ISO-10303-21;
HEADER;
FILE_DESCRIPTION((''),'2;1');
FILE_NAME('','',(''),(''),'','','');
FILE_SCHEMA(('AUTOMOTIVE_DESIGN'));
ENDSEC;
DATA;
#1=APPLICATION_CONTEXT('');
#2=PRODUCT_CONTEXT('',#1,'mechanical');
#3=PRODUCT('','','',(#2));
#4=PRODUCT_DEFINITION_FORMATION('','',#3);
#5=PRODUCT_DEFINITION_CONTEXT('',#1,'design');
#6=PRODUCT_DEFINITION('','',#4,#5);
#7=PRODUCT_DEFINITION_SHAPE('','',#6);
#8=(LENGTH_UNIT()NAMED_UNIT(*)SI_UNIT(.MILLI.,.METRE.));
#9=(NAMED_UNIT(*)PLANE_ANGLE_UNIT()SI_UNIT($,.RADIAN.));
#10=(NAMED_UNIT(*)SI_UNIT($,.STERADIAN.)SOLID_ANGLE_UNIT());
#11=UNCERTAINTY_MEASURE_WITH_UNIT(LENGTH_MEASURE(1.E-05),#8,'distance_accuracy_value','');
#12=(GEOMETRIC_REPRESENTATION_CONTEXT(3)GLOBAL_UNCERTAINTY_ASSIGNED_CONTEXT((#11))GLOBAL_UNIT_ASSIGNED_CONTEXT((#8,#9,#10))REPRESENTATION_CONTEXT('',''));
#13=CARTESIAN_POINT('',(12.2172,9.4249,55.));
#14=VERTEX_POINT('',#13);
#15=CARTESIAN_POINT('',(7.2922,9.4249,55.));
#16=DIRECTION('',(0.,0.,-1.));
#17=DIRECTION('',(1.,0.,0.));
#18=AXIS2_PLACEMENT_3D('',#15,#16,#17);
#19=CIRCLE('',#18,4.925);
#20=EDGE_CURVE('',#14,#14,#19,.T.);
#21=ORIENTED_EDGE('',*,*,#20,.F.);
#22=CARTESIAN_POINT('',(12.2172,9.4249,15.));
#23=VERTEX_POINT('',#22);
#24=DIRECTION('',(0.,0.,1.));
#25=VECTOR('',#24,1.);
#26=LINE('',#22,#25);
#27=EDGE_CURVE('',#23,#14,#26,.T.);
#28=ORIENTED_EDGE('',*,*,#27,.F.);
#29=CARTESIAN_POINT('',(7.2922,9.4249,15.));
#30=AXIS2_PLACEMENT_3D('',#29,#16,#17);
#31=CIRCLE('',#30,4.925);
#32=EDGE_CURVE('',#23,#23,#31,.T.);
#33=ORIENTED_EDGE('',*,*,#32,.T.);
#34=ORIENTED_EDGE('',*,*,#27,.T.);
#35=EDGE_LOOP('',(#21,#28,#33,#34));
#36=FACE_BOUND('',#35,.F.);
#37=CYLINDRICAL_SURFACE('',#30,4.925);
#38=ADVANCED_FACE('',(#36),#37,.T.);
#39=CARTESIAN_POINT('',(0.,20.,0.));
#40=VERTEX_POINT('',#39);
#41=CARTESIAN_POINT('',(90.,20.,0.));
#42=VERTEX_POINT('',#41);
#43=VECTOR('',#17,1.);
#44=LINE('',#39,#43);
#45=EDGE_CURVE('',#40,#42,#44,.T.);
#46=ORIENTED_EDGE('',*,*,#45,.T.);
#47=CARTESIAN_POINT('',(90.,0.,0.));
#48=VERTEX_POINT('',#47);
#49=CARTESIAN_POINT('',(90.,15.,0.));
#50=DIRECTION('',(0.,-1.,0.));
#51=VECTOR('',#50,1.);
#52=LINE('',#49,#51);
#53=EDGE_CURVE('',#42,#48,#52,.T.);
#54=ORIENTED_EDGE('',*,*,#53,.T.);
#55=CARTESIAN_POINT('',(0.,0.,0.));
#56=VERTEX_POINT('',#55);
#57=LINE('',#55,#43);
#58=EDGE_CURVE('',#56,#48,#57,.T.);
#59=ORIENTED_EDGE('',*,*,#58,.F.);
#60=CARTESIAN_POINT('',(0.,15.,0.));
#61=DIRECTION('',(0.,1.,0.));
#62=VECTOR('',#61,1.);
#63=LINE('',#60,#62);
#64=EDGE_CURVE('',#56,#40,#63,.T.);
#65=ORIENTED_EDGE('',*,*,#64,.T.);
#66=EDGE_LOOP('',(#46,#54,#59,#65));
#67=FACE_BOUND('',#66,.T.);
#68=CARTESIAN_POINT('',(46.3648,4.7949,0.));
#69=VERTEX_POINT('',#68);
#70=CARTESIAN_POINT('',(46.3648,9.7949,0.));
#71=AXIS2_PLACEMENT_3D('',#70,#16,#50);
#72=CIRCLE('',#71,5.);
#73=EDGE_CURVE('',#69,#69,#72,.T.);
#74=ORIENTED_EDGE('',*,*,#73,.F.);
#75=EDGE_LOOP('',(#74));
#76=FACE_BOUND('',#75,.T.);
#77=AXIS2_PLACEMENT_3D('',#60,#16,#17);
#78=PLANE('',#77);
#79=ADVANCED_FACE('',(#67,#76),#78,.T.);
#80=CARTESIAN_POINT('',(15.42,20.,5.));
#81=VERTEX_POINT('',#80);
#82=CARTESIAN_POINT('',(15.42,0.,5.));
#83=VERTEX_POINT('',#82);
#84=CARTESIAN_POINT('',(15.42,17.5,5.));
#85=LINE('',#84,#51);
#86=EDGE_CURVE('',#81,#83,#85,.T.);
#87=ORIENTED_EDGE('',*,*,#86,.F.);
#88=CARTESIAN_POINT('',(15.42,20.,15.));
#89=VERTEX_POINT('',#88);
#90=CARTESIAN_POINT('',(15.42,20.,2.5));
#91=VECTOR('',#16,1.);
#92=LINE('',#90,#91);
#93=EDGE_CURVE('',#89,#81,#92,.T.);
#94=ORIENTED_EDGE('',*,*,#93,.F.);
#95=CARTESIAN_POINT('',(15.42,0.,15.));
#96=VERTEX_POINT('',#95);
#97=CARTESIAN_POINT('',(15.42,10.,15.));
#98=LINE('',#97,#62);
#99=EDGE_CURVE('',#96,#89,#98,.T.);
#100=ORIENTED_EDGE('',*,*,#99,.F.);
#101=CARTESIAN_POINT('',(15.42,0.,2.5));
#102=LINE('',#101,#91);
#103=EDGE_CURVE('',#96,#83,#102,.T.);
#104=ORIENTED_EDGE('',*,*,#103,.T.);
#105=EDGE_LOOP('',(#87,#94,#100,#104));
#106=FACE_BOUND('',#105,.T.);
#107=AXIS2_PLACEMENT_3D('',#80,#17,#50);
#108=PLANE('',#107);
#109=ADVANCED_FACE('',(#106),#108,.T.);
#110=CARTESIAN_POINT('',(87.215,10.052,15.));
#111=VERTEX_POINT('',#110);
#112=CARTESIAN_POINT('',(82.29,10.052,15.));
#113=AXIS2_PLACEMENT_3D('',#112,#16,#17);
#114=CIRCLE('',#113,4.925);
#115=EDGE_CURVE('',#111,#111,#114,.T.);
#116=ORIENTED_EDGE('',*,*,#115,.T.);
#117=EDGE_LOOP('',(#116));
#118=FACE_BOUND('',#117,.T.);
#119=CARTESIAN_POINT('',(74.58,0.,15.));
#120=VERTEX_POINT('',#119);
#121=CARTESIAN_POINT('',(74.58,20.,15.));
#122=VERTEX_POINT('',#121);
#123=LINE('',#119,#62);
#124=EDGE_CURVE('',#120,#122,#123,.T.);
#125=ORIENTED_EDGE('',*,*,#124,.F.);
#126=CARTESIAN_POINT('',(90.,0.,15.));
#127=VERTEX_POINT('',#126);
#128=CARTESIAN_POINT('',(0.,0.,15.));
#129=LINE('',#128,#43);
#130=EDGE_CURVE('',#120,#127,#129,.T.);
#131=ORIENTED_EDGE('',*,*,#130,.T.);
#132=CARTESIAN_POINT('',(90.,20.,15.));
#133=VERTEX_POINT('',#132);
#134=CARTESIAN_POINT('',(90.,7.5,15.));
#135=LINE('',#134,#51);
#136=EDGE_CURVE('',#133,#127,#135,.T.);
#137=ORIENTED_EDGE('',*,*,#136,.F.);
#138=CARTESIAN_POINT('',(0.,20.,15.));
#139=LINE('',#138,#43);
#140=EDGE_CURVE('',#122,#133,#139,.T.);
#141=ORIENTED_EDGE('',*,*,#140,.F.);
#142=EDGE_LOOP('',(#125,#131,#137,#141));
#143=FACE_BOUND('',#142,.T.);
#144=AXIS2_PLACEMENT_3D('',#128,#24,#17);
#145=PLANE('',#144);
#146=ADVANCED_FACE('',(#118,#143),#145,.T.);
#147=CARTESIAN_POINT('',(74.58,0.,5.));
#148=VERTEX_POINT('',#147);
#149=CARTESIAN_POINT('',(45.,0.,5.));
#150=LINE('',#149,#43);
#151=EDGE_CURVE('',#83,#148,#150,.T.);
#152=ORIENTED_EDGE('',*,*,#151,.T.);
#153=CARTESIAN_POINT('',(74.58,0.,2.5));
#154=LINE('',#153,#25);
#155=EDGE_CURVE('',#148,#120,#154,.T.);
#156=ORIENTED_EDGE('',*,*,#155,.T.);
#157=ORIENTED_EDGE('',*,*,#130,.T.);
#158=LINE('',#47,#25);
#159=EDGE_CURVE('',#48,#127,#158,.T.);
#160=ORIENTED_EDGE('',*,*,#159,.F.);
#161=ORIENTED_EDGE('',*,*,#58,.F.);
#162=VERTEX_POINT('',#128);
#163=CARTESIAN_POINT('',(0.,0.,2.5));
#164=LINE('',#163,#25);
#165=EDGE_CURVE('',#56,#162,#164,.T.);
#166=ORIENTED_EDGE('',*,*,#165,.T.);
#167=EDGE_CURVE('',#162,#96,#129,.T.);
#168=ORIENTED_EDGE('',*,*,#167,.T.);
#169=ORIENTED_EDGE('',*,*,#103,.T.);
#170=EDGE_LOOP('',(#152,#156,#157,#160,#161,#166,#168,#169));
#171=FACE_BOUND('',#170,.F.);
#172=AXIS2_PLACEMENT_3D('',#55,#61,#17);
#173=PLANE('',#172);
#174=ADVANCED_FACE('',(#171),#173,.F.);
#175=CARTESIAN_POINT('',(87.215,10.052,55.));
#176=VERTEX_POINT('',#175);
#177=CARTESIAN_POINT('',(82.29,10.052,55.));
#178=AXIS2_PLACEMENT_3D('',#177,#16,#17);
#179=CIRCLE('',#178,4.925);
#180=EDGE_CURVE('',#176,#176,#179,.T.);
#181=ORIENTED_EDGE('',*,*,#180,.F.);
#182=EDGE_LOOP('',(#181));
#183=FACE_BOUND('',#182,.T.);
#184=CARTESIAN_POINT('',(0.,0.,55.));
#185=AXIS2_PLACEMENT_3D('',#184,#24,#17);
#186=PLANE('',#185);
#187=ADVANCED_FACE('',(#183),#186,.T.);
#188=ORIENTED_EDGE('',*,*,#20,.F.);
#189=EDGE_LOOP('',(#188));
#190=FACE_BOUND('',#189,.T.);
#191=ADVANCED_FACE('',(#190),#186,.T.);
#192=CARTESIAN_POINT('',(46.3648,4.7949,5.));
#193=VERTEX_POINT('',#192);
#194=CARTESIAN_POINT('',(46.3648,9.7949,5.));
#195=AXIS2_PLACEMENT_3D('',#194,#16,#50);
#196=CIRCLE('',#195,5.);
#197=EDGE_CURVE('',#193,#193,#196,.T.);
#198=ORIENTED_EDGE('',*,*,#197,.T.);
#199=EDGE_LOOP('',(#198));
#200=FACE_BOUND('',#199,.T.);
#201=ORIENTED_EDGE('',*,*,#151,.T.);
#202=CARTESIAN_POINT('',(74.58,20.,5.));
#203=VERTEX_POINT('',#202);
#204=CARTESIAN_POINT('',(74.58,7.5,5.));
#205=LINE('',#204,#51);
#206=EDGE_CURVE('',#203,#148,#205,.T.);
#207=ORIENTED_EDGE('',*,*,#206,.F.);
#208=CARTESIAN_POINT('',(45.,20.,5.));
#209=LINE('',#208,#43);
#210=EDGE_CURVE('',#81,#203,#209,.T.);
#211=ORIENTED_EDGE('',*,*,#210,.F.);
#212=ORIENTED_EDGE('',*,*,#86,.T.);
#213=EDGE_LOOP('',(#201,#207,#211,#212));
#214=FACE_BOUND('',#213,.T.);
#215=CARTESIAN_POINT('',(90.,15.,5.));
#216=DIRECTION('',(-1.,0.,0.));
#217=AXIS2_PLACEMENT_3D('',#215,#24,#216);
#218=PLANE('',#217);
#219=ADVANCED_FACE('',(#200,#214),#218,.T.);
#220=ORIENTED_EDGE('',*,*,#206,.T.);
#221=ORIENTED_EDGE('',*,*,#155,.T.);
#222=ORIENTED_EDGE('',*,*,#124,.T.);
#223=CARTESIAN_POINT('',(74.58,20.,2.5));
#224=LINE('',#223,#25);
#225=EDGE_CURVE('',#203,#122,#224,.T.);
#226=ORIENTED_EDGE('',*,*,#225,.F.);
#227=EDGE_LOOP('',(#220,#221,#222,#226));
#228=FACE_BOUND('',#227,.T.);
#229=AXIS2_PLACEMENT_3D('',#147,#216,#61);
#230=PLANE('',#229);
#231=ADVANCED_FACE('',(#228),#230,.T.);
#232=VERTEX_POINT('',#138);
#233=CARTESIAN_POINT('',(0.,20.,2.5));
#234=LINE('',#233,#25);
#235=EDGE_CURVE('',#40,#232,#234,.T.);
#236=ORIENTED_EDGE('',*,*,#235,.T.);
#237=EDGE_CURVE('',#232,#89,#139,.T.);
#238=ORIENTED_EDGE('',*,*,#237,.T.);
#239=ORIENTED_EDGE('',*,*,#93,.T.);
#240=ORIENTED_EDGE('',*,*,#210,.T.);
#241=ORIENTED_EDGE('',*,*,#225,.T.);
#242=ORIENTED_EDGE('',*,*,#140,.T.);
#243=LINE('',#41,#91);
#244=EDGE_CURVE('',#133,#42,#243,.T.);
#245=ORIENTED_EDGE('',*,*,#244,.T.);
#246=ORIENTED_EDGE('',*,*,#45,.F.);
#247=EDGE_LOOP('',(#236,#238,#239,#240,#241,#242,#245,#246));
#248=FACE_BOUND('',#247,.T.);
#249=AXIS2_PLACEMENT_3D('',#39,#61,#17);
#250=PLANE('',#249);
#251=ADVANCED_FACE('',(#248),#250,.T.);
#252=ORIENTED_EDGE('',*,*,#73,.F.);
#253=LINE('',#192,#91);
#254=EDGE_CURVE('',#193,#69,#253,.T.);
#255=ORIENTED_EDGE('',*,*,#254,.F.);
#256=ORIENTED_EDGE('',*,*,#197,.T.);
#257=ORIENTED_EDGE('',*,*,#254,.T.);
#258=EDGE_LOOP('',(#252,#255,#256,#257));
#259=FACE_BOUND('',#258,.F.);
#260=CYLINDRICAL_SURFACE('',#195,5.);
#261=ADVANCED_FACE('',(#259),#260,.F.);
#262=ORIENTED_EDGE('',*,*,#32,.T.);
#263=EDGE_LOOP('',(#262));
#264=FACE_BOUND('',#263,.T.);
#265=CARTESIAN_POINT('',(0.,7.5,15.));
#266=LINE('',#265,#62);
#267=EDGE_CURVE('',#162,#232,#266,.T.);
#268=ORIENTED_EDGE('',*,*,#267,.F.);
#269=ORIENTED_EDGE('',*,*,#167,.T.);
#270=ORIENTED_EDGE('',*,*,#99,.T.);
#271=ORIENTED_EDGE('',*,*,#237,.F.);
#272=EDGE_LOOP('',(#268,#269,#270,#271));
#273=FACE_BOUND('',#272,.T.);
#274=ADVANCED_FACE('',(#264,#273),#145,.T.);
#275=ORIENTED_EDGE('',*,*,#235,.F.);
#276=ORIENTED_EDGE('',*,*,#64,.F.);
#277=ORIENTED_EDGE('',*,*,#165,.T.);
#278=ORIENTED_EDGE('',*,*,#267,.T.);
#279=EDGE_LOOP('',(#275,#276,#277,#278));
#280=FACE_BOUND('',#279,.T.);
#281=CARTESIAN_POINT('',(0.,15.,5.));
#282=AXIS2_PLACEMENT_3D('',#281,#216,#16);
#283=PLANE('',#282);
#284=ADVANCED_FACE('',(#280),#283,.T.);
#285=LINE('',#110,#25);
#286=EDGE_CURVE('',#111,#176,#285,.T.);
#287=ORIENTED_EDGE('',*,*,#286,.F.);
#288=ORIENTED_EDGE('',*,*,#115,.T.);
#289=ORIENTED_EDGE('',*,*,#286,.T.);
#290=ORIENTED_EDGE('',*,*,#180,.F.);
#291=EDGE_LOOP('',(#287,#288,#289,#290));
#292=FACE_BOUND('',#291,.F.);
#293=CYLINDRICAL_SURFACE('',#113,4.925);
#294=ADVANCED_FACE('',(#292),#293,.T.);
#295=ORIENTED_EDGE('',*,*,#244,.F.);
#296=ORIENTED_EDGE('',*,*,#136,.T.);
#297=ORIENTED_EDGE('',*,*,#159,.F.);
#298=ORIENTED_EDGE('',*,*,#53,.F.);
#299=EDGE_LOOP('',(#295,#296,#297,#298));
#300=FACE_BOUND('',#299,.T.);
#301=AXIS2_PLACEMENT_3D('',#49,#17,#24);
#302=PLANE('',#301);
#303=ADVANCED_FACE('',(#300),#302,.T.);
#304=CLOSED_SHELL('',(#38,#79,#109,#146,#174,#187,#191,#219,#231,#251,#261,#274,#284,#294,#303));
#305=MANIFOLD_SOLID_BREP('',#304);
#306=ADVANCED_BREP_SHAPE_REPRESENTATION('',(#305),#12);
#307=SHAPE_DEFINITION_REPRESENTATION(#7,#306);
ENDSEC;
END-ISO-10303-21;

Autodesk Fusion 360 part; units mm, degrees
sketch "Sketch1" plane through (0, 0, 0) normal (0, 1, 0) x (1, 0, 0)
  line L0 (0, 0) -> (90, 0)
  line L1 (90, 0) -> (90, -5)
  line L2 (90, -5) -> (0, -5)
  line L3 (0, -5) -> (0, 0)
  dimension "d1" = 90
  dimension "d2" = 5
extrude "Extrude1" add sketch "Sketch1" along normal blind 10
extrude "Extrude2" add 1 faces at (30, 10, 1.6667) along direction (0, 1, 0) blind 5
extrude "Extrude3" add 1 faces at (30, 15, 1.6667) along direction (0, 1, 0) blind 5
sketch "Sketch2" plane through (0, 0, 5) normal (0, 0, 1) x (1, 0, 0)
  line L0 (0, 0) -> (90, 0)
  line L1 (90, 0) -> (90, 20)
  line L2 (90, 20) -> (0, 20)
  line L3 (0, 20) -> (0, 0)
  line L4 (0, 0) -> (15.42, 0)
  line L5 (15.42, 20) -> (0, 20)
  line L6 (15.42, 20) -> (15.42, 0)
  line L7 (0, 0) -> (0, 20)
  line L8 (90, 0) -> (74.58, 0)
  line L9 (74.58, 0) -> (74.58, 20)
  line L10 (74.58, 20) -> (90, 20)
  line L11 (90, 0) -> (90, 20)
  dimension "d9" = 15.42
  dimension "d10" = 15.42
extrude "Extrude4" add sketch "Sketch2" along normal blind 10 contours L0 L2 L3 L4 L5 L6 L7 | L0 L1 L2 L8 L9 L10 L11
sketch "Sketch3" plane through (0, 0, 15) normal (0, 0, 1) x (1, 0, 0)
  line L0 (15.42, 20) -> (0, 20)
  line L1 (0, 20) -> (0, 0)
  line L2 (0, 0) -> (15.42, 0)
  line L3 (15.42, 0) -> (15.42, 20)
  circle A0 centre (7.2922, 9.4249) radius 5
  dimension "d13" = 10
sketch "Sketch4" plane through (0, 0, 15) normal (0, 0, 1) x (1, 0, 0)
  line L0 (74.58, 0) -> (90, 0)
  line L1 (90, 0) -> (90, 20)
  line L2 (90, 20) -> (74.58, 20)
  line L3 (74.58, 20) -> (74.58, 0)
  circle A0 centre (82.29, 10.052) radius 5
  dimension "d14" = 10
extrude "Extrude5" add sketch "Sketch3" sketch "Sketch4" along normal blind 40 contours A0 of sketch 2 contours A0
thread "Thread1" "ISO Metric profile 10.0 M10x1.5 6g" major diameter 9.85 minor diameter 8.141 pitch 1.5 angle 60 resizes the face on face at (12.286, 9.1757, 41.6667)
thread "Thread2" "ISO Metric profile 10.0 M10x1.5 6g" major diameter 9.85 minor diameter 8.141 pitch 1.5 angle 60 resizes the face on face at (87.2838, 10.3013, 28.3333)
hole "Hole1" at (46.3648, 9.7949, 5) direction (0, 0, -1) diameter 10 depth 20 tip angle 118
